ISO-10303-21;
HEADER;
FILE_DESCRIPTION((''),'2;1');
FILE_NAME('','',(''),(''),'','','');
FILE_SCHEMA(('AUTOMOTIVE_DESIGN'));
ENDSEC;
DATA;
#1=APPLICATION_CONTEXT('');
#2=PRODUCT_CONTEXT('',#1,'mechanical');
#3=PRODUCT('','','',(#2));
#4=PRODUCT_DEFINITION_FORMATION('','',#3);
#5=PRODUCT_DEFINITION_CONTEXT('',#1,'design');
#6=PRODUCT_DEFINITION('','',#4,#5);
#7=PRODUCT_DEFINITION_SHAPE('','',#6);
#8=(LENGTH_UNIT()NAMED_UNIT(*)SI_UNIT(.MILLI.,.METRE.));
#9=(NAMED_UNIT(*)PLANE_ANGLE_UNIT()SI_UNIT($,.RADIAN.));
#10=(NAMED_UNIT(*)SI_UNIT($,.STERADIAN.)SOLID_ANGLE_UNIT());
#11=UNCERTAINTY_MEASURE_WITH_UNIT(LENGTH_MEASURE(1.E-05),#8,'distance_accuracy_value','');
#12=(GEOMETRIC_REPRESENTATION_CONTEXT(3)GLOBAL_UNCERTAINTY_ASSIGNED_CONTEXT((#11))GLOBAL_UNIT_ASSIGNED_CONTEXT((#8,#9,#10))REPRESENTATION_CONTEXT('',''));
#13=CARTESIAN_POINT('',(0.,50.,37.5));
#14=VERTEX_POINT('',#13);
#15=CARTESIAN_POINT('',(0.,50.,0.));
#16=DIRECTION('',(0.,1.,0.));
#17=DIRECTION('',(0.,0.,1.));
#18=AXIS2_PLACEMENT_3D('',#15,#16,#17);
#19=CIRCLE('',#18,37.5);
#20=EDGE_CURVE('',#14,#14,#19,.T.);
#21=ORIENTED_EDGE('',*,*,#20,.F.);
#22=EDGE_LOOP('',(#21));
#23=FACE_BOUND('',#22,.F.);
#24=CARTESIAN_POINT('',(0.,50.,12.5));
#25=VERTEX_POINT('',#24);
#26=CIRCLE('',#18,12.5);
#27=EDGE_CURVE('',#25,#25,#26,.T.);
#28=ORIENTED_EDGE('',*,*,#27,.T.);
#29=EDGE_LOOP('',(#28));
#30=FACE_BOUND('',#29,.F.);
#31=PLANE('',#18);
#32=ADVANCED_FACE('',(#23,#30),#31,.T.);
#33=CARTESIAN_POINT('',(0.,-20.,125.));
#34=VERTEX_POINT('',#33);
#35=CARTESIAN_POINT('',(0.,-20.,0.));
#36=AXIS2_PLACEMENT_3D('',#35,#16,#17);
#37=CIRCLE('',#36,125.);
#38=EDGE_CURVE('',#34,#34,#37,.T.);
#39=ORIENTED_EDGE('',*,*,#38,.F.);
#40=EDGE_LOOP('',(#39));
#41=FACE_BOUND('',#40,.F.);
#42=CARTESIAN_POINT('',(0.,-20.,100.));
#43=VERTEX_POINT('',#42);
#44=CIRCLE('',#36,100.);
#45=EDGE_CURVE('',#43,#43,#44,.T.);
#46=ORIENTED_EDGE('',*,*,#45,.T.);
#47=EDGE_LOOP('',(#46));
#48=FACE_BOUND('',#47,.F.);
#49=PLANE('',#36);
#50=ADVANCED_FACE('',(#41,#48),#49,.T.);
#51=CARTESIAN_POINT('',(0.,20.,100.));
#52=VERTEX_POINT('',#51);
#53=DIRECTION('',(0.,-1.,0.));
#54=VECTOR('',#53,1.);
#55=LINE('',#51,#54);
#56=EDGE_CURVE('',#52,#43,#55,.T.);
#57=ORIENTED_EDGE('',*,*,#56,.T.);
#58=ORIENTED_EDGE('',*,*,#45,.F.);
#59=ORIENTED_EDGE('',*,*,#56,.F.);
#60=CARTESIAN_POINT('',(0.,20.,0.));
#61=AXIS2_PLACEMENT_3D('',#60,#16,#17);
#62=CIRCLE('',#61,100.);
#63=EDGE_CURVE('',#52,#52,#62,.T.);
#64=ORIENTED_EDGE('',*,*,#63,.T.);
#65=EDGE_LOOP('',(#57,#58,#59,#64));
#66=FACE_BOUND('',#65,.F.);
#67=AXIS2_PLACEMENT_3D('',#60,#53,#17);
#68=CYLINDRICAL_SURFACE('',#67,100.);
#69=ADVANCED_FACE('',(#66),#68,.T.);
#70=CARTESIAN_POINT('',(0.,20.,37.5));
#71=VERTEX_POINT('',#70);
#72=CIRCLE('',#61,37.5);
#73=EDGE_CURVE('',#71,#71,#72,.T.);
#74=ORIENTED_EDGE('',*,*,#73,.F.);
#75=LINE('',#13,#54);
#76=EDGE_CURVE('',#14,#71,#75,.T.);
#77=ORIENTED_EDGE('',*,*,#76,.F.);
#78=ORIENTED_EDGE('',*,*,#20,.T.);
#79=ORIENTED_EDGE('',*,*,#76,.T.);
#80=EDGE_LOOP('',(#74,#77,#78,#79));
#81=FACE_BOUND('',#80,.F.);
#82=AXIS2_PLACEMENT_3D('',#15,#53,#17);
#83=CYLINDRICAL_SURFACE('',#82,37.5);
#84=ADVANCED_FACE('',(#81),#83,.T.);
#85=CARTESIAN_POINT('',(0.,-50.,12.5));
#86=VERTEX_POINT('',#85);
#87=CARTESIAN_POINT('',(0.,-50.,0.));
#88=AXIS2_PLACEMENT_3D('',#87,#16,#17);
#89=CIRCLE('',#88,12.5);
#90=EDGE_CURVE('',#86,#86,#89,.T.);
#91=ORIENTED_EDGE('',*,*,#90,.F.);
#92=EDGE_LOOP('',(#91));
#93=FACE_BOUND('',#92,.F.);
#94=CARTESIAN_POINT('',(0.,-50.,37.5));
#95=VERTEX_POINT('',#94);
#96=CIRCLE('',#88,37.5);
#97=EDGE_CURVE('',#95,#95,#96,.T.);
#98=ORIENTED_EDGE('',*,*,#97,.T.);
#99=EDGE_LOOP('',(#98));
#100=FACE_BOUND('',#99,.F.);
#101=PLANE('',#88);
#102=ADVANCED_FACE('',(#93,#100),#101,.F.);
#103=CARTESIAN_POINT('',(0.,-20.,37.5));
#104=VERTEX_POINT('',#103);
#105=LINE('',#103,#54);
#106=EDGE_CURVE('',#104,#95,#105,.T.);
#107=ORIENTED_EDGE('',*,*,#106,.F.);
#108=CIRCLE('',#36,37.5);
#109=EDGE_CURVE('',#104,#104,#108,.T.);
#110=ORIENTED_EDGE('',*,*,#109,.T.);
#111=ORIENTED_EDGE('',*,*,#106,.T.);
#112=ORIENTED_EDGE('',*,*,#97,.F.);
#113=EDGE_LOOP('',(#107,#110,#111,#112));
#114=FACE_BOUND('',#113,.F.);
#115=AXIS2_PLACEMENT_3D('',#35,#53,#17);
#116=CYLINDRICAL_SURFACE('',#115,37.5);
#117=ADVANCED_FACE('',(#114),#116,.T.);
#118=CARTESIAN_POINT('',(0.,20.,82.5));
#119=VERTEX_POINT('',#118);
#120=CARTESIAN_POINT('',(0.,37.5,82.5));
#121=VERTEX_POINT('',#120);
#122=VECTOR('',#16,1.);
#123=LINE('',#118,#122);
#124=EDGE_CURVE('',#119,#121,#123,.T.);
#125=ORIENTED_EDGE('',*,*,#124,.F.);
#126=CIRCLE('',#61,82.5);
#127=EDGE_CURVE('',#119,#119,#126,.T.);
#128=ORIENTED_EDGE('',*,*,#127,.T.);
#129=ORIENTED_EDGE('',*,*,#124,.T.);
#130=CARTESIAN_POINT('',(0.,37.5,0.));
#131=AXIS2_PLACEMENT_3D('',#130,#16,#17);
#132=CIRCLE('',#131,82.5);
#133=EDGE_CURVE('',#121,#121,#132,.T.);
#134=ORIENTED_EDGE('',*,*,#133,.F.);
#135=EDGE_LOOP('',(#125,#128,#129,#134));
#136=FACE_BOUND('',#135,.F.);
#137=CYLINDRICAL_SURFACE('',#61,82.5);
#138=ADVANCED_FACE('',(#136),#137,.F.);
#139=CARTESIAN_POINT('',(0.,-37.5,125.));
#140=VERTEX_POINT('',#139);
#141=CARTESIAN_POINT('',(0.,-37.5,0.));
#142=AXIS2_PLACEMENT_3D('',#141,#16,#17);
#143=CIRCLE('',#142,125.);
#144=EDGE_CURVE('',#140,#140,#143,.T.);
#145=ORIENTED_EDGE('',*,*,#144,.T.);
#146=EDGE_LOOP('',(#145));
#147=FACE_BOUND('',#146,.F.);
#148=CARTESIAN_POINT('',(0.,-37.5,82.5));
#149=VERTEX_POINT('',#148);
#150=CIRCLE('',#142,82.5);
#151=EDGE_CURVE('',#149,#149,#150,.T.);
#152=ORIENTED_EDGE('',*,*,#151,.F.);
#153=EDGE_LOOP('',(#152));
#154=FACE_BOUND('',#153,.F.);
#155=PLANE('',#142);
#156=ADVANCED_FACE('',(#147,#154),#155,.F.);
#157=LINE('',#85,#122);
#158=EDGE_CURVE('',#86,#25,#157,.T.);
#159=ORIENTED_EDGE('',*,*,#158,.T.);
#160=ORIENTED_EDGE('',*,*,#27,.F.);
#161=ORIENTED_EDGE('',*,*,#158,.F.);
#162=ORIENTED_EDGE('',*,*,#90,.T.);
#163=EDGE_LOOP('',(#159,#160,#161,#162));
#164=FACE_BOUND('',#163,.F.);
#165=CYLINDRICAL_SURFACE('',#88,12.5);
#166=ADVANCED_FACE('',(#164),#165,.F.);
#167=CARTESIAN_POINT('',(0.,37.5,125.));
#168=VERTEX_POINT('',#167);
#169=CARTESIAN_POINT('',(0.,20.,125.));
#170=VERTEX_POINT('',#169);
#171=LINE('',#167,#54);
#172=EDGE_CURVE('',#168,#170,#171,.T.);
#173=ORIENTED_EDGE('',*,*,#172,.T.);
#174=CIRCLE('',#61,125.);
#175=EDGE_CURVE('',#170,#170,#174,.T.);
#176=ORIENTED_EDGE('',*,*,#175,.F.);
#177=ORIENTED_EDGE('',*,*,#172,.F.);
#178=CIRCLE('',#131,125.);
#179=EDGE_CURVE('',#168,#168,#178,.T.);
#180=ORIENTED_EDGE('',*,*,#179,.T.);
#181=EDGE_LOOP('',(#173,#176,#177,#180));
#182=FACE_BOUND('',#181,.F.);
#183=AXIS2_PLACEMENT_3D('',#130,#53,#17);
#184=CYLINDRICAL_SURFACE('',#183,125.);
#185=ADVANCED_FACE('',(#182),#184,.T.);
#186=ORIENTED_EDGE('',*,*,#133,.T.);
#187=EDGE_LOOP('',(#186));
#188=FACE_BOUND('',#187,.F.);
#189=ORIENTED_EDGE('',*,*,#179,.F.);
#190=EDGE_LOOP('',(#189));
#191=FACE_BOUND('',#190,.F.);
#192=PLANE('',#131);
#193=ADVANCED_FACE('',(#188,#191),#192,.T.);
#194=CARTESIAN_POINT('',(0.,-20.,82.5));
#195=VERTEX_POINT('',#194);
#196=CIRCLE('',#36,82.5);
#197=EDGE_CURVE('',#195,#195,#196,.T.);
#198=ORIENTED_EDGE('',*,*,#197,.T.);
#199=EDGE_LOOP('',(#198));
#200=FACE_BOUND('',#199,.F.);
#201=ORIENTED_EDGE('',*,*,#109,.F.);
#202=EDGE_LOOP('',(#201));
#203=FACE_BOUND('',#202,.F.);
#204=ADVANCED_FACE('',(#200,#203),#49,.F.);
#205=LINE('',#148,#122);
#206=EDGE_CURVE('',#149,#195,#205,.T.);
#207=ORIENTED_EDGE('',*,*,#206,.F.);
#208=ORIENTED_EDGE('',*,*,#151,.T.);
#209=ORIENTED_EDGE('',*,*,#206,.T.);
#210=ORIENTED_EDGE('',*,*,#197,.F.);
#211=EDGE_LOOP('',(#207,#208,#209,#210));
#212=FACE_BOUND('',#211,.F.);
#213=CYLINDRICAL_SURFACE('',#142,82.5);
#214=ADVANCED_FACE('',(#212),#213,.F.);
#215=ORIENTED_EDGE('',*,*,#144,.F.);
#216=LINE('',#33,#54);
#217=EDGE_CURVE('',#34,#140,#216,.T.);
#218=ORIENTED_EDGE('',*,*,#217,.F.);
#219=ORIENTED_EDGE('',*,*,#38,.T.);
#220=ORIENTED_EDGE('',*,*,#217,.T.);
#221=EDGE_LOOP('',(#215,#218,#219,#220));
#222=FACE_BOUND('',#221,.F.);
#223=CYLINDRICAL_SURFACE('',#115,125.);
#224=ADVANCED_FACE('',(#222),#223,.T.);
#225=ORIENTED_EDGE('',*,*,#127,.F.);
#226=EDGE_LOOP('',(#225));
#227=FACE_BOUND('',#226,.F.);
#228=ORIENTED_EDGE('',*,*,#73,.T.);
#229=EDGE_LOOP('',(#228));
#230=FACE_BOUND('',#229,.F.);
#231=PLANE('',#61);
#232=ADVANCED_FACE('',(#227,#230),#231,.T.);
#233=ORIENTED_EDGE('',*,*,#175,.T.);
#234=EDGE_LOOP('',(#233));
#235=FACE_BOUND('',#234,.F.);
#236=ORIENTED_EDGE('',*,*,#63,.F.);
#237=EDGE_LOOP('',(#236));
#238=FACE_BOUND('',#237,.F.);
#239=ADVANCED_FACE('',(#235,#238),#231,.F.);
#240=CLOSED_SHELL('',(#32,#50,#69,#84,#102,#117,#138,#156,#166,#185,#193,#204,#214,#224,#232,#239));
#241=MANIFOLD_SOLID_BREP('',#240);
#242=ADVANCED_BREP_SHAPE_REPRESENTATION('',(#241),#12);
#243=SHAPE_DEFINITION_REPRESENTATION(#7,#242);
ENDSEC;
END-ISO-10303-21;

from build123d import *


with BuildPart() as f1:
    # F0 (on Right) → F1 (revolve)
    with BuildSketch(Plane.YZ):
        Polygon((20, 100), (0, 100), (-20, 100), (-20, 125), (-37.5, 125), (-37.5, 82.5), (-20, 82.5), (-20, 37.5), (-50, 37.5), (-50, 12.5), (0, 12.5), (50, 12.5), (50, 37.5), (20, 37.5), (20, 82.5), (37.5, 82.5), (37.5, 125), (20, 125), align=None)
    revolve(axis=Axis((0, -3.476026, 0), (0, 1, 0)))


solid = f1.part
